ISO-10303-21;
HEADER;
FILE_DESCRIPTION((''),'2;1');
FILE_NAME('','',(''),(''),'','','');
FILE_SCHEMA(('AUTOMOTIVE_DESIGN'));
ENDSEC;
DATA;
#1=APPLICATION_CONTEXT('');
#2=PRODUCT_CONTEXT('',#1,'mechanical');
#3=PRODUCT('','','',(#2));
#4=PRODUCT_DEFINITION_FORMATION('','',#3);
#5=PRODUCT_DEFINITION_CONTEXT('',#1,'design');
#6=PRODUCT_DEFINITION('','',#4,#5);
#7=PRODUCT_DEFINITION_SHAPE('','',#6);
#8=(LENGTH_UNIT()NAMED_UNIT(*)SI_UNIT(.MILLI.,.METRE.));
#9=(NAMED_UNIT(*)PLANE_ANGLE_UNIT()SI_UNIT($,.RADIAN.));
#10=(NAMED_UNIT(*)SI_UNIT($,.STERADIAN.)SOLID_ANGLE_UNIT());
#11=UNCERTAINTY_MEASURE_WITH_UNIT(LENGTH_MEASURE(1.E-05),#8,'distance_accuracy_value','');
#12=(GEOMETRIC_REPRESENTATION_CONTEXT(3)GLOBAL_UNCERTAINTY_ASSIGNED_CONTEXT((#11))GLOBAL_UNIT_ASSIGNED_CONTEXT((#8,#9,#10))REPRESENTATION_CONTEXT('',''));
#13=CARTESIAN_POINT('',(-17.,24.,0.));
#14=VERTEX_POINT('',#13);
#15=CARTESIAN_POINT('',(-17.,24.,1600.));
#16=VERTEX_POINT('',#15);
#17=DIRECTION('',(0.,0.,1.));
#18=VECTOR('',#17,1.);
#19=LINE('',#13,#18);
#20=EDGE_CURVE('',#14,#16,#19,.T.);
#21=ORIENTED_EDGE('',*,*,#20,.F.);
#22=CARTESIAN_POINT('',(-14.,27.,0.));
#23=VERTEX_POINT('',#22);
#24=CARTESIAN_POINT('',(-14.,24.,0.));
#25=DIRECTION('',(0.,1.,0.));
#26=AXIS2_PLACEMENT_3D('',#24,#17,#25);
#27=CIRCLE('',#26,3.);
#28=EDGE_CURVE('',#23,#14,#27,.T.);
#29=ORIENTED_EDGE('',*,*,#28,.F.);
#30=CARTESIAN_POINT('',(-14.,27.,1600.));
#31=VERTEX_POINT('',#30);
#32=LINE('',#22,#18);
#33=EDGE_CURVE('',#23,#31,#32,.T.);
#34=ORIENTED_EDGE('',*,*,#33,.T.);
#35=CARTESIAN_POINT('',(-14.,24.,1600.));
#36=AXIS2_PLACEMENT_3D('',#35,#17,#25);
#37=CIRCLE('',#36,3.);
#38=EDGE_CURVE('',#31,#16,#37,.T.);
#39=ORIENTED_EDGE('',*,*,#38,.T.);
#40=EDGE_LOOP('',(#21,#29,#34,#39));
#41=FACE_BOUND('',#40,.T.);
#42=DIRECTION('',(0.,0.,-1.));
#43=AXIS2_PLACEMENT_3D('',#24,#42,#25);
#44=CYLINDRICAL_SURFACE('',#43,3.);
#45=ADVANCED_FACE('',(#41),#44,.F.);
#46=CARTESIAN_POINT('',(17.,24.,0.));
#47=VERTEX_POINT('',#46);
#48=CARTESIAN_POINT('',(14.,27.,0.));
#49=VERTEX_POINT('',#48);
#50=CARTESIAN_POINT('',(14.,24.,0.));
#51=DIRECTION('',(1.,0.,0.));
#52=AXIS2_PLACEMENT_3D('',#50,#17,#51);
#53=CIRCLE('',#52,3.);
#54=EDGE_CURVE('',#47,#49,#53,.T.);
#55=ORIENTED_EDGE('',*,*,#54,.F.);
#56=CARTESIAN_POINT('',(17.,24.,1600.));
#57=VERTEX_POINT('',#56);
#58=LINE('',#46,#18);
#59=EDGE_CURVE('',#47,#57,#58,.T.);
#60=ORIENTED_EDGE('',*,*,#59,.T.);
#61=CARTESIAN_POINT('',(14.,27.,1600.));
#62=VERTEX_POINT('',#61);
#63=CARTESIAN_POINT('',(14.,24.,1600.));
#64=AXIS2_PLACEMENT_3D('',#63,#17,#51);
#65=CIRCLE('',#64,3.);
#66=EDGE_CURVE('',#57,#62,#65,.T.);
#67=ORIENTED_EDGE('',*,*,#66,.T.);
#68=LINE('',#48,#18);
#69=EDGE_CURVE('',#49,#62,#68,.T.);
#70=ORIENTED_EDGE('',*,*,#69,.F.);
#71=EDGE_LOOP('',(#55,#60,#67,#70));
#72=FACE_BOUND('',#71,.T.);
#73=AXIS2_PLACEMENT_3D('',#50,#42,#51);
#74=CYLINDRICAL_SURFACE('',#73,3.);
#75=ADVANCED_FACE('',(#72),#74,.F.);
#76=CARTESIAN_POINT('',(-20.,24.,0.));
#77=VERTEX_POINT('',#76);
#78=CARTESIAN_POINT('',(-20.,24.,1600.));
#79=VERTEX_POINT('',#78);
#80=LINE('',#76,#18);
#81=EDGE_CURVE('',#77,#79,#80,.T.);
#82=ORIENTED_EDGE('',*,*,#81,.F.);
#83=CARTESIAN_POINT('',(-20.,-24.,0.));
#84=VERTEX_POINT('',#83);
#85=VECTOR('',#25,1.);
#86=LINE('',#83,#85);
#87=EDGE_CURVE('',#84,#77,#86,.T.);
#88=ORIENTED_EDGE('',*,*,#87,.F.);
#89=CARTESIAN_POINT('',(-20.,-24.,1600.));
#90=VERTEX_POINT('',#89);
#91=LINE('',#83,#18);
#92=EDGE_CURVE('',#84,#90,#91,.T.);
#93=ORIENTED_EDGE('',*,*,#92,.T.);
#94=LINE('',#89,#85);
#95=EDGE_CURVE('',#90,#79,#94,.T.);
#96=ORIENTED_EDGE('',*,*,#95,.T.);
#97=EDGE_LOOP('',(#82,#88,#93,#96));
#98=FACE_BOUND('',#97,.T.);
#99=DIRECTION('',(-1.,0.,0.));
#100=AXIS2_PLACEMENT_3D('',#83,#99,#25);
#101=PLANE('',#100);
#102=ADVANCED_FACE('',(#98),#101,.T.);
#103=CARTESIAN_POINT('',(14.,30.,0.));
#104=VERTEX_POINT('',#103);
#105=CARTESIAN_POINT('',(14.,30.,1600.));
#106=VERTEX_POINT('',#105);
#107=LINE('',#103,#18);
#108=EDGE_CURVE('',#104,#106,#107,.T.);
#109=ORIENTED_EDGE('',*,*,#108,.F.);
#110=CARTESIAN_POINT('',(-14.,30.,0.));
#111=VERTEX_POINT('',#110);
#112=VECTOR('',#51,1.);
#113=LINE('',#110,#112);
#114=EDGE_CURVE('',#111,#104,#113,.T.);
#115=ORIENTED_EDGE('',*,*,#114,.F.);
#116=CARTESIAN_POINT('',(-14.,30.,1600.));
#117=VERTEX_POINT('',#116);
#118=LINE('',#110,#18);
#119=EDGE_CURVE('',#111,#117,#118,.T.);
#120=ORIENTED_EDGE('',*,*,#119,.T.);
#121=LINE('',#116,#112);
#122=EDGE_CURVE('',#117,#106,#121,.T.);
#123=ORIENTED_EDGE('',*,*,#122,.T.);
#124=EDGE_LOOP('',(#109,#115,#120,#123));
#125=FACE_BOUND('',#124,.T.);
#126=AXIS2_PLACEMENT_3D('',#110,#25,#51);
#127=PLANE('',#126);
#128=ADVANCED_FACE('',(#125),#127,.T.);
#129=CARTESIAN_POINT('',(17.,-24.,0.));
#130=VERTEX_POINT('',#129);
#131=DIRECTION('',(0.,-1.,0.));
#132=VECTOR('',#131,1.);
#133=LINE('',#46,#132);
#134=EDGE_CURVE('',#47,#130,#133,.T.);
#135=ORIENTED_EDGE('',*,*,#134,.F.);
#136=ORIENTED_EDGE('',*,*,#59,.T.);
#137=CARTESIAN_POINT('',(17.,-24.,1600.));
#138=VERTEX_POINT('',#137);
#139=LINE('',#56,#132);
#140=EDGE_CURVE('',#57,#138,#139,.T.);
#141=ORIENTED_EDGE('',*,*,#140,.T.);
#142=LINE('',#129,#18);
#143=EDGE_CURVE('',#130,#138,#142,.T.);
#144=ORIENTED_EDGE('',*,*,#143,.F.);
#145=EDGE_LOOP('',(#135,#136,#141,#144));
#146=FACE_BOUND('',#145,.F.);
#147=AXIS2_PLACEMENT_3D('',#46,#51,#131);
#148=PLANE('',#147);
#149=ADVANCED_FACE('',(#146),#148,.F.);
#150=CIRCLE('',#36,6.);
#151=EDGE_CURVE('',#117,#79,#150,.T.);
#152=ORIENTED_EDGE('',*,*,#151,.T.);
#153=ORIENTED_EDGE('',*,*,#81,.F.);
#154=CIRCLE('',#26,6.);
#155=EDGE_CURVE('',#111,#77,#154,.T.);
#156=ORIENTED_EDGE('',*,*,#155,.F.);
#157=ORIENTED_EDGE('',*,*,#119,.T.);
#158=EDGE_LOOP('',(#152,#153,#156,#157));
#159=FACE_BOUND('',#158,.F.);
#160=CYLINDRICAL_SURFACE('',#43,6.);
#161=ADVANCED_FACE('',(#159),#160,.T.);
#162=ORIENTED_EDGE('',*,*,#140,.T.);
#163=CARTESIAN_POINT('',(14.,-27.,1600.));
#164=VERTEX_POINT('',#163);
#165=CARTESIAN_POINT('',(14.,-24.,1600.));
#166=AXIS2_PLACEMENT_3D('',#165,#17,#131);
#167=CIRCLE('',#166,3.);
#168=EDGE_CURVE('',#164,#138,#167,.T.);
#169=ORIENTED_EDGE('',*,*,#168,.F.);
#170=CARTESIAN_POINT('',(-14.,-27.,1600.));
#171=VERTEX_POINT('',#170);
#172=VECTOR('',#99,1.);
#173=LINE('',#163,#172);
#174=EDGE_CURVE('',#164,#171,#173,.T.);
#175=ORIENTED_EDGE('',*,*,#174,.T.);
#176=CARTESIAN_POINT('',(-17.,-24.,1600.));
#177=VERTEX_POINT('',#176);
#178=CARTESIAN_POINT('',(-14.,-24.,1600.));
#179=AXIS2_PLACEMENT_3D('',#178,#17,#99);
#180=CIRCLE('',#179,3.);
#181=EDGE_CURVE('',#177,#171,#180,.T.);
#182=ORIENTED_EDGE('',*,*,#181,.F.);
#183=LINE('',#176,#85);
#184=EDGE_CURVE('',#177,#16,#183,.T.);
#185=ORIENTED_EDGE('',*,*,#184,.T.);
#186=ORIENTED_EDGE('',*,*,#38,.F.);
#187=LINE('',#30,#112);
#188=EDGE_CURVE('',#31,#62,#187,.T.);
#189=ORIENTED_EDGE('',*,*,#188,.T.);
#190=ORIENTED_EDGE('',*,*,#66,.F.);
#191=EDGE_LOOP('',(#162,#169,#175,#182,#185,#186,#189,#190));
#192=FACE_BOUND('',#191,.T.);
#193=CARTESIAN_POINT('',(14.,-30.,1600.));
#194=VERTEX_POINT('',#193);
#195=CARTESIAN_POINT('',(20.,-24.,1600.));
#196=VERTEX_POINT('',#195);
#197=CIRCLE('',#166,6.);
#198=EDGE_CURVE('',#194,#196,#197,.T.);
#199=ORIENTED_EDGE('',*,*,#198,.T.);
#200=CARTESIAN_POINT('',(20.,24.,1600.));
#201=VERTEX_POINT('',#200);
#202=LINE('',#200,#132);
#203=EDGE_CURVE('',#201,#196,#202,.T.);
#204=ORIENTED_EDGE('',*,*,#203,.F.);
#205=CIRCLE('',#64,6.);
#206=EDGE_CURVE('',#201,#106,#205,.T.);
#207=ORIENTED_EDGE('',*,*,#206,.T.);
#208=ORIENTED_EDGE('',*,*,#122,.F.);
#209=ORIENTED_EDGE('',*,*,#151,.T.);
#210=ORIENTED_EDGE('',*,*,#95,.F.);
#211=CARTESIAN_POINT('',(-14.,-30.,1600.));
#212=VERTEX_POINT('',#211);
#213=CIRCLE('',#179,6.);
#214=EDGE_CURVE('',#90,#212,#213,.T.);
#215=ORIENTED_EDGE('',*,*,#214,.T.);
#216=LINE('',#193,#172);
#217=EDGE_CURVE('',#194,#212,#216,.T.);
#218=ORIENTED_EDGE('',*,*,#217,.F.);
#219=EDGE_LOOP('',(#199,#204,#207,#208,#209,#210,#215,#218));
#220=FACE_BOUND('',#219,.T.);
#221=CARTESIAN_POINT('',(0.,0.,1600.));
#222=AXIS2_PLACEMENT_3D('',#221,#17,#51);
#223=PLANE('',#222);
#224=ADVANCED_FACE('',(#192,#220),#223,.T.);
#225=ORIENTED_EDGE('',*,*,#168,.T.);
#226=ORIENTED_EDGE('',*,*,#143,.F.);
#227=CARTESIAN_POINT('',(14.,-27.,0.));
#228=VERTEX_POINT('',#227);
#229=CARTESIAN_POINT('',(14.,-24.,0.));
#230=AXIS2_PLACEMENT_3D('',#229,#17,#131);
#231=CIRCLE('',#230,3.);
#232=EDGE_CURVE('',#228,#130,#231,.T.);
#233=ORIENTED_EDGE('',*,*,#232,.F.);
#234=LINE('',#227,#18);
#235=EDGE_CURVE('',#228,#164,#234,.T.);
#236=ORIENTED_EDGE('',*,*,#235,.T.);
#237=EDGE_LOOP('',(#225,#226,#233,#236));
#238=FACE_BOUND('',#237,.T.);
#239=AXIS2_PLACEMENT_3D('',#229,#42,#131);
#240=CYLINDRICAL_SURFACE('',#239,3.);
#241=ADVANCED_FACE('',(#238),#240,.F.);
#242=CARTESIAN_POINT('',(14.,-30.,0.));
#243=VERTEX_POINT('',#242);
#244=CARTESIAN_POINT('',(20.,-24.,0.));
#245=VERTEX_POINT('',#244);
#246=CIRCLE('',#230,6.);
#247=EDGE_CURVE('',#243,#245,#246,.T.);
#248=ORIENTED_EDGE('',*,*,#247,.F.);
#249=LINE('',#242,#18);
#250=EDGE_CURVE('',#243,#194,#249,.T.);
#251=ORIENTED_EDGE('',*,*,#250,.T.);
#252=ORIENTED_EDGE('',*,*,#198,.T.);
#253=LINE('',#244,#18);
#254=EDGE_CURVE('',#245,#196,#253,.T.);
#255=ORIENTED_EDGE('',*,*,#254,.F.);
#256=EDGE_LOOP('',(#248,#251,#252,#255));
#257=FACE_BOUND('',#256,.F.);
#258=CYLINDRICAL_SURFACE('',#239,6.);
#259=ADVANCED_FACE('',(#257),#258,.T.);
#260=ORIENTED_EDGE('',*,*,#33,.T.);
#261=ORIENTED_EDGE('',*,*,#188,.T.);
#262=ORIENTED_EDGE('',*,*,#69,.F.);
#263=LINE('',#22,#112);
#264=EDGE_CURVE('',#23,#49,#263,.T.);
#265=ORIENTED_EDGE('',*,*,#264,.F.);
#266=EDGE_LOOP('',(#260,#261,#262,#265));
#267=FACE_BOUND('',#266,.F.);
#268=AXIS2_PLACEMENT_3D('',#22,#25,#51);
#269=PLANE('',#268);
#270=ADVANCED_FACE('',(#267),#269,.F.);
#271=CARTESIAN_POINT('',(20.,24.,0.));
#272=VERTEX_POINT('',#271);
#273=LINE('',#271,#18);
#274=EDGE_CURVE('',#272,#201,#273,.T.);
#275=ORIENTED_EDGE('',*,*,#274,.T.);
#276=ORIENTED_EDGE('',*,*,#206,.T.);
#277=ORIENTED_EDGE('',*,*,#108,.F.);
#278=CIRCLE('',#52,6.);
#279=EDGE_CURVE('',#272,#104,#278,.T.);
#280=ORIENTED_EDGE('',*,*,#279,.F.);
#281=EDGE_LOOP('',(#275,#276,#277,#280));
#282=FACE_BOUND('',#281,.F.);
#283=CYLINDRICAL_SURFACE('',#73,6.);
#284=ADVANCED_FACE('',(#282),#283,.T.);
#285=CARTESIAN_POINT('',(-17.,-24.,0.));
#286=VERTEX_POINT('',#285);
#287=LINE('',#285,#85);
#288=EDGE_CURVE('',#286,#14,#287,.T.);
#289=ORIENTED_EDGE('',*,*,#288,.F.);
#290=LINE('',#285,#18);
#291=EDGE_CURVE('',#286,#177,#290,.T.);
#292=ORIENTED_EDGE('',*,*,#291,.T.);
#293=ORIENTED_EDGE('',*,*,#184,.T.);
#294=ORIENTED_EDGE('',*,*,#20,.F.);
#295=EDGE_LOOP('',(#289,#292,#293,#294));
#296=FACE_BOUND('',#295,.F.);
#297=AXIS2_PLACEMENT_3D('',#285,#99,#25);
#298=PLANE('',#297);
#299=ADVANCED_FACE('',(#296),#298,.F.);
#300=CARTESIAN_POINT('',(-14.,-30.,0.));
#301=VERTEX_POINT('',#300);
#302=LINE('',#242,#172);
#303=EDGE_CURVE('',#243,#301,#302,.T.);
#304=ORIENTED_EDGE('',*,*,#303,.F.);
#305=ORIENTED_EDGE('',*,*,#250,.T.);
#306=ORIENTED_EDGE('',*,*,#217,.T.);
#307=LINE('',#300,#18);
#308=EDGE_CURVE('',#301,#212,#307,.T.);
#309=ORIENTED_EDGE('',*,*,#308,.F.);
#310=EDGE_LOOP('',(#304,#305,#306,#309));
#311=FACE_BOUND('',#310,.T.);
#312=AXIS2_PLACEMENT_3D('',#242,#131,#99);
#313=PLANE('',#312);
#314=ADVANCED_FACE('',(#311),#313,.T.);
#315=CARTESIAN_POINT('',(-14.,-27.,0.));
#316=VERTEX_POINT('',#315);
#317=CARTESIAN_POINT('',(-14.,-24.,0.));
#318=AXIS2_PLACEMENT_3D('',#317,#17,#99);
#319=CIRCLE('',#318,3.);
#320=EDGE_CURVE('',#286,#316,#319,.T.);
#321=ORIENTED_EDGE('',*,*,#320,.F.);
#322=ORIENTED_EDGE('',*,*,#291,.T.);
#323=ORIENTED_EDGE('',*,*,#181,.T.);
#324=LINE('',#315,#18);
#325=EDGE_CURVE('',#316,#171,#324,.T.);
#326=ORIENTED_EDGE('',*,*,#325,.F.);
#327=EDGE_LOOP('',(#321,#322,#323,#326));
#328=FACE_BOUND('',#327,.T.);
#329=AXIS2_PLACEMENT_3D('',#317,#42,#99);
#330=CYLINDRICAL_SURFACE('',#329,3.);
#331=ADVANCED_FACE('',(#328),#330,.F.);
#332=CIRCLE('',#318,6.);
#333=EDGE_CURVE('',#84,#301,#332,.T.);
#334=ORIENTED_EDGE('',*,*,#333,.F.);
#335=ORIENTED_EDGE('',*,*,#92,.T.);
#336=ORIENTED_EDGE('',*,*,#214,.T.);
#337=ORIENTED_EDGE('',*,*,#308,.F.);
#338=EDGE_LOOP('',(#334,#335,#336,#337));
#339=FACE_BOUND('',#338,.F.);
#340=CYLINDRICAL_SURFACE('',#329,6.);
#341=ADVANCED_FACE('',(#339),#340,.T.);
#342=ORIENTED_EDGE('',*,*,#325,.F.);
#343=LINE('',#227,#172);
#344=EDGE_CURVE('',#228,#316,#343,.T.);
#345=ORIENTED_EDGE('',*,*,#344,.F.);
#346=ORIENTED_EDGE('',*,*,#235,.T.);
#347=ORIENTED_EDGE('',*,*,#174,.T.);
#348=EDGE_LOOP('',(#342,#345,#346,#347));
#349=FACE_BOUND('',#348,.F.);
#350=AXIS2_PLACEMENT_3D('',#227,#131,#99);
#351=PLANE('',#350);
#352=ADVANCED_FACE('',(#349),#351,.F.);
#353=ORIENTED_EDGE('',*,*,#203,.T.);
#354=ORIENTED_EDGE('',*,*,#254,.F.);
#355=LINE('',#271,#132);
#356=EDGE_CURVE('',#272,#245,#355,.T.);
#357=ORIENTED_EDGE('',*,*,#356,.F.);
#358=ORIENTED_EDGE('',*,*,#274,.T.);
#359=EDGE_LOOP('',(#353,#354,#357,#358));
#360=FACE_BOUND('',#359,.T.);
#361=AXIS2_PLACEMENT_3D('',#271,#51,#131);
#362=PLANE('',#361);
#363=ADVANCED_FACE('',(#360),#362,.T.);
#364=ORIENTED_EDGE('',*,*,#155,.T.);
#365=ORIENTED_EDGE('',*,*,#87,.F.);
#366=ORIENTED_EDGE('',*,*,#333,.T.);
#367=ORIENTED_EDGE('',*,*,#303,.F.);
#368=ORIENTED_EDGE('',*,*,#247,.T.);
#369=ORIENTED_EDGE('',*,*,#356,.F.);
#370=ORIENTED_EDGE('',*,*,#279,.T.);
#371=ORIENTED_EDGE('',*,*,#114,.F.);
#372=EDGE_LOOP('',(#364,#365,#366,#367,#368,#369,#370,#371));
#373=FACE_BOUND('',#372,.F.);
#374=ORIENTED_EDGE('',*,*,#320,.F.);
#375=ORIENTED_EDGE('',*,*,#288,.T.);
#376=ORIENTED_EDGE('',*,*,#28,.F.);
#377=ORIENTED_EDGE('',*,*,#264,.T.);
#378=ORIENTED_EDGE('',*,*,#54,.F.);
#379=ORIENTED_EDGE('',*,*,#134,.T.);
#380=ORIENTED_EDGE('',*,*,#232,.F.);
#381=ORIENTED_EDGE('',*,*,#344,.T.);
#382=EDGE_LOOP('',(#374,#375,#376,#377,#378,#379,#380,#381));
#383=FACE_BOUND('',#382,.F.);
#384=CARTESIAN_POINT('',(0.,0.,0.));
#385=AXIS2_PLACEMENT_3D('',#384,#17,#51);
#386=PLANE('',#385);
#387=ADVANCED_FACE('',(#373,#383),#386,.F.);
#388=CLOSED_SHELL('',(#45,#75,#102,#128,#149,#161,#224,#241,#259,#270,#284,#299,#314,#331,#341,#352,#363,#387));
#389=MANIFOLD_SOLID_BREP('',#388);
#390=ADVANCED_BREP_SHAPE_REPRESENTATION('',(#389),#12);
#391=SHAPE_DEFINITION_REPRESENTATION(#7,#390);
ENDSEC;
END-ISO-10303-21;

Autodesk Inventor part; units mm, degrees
ref_plane "YZ Plane" through (0, 0, 0) normal (1, 0, 0) x (0, 1, 0)
ref_plane "Start plane" through (0, 0, 0) normal (0, 0, 1) x (1, 0, 0)
ref_plane "End plane" through (0, 0, 1600) normal (0, 0, 1) x (1, 0, 0)
sketch "Sketch" plane through (0, 0, 0) normal (0, 0, 1) x (1, 0, 0)
  line L0 (-20, -24) -> (-20, 24)
  line L1 (-14, 30) -> (14, 30)
  line L2 (20, 24) -> (20, -24)
  line L3 (14, -30) -> (-14, -30)
  arc A0 (-20, -24) -> (-14, -30) centre (-14, -24) ccw
  arc A1 (20, 24) -> (14, 30) centre (14, 24) ccw
  arc A2 (-14, 30) -> (-20, 24) centre (-14, 24) ccw
  arc A3 (14, -30) -> (20, -24) centre (14, -24) ccw
  arc A4 (-14, 27) -> (-17, 24) centre (-14, 24) ccw
  line L4 (-14, 27) -> (14, 27)
  arc A5 (17, 24) -> (14, 27) centre (14, 24) ccw
  line L5 (17, 24) -> (17, -24)
  arc A6 (14, -27) -> (17, -24) centre (14, -24) ccw
  line L6 (14, -27) -> (-14, -27)
  arc A7 (-17, -24) -> (-14, -27) centre (-14, -24) ccw
  line L7 (-17, -24) -> (-17, 24)
  line L8 (0, 43.7397) -> (0, -43.7397) construction
  line L9 (-29.7397, 0) -> (29.7397, 0) construction
  dimension "d7" = 6
  dimension "d9" = 40
  dimension "d11" = 60
  dimension "d12" = 3
  dimension "d15" = 20
  dimension "d16" = 30
extrude "Body" add sketch "Sketch" along normal up to surface (1600 mm away) from surface at 0
sketch "Sketch3" plane through (0, 0, 0) normal (0, 0, 1) x (1, 0, 0)
  line L0 (0, 0) -> (10, 0)
ref_plane "Work Plane3" through (0, 0, 0) normal (0, -1, 0) x (1, 0, 0)
sketch "Sketch4" plane through (0, 0, 0) normal (0, -1, 0) x (1, 0, 0)
  line L0 (-2, 0) -> (12, 0) projected
  line L1 (-2, 1600) -> (12, 1600) projected
  dimension "d18" = 1600
equation "\"d7\" = G_IR"
equation "\"d9\" = G_W"
equation "\"d11\" = G_H"
equation "\"d12\" = G_T"
equation "\"d15\" = 0.5 * d9"
equation "\"d16\" = 0.5 * d11"
equation "\"d3\" = G_L"
equation "\"G_W\" = 40"
equation "\"G_H\" = 60"
equation "\"G_T\" = 3"
equation "\"G_IR\" = 6"
equation "\"G_L\" = d18"
equation "\"G_OFFSET_START\" = 0"
equation "\"G_OFFSET_END\" = 0"
properties part number "ISO 10799-2 - 60x40x3 - 1600" material "Steel, Mild"
